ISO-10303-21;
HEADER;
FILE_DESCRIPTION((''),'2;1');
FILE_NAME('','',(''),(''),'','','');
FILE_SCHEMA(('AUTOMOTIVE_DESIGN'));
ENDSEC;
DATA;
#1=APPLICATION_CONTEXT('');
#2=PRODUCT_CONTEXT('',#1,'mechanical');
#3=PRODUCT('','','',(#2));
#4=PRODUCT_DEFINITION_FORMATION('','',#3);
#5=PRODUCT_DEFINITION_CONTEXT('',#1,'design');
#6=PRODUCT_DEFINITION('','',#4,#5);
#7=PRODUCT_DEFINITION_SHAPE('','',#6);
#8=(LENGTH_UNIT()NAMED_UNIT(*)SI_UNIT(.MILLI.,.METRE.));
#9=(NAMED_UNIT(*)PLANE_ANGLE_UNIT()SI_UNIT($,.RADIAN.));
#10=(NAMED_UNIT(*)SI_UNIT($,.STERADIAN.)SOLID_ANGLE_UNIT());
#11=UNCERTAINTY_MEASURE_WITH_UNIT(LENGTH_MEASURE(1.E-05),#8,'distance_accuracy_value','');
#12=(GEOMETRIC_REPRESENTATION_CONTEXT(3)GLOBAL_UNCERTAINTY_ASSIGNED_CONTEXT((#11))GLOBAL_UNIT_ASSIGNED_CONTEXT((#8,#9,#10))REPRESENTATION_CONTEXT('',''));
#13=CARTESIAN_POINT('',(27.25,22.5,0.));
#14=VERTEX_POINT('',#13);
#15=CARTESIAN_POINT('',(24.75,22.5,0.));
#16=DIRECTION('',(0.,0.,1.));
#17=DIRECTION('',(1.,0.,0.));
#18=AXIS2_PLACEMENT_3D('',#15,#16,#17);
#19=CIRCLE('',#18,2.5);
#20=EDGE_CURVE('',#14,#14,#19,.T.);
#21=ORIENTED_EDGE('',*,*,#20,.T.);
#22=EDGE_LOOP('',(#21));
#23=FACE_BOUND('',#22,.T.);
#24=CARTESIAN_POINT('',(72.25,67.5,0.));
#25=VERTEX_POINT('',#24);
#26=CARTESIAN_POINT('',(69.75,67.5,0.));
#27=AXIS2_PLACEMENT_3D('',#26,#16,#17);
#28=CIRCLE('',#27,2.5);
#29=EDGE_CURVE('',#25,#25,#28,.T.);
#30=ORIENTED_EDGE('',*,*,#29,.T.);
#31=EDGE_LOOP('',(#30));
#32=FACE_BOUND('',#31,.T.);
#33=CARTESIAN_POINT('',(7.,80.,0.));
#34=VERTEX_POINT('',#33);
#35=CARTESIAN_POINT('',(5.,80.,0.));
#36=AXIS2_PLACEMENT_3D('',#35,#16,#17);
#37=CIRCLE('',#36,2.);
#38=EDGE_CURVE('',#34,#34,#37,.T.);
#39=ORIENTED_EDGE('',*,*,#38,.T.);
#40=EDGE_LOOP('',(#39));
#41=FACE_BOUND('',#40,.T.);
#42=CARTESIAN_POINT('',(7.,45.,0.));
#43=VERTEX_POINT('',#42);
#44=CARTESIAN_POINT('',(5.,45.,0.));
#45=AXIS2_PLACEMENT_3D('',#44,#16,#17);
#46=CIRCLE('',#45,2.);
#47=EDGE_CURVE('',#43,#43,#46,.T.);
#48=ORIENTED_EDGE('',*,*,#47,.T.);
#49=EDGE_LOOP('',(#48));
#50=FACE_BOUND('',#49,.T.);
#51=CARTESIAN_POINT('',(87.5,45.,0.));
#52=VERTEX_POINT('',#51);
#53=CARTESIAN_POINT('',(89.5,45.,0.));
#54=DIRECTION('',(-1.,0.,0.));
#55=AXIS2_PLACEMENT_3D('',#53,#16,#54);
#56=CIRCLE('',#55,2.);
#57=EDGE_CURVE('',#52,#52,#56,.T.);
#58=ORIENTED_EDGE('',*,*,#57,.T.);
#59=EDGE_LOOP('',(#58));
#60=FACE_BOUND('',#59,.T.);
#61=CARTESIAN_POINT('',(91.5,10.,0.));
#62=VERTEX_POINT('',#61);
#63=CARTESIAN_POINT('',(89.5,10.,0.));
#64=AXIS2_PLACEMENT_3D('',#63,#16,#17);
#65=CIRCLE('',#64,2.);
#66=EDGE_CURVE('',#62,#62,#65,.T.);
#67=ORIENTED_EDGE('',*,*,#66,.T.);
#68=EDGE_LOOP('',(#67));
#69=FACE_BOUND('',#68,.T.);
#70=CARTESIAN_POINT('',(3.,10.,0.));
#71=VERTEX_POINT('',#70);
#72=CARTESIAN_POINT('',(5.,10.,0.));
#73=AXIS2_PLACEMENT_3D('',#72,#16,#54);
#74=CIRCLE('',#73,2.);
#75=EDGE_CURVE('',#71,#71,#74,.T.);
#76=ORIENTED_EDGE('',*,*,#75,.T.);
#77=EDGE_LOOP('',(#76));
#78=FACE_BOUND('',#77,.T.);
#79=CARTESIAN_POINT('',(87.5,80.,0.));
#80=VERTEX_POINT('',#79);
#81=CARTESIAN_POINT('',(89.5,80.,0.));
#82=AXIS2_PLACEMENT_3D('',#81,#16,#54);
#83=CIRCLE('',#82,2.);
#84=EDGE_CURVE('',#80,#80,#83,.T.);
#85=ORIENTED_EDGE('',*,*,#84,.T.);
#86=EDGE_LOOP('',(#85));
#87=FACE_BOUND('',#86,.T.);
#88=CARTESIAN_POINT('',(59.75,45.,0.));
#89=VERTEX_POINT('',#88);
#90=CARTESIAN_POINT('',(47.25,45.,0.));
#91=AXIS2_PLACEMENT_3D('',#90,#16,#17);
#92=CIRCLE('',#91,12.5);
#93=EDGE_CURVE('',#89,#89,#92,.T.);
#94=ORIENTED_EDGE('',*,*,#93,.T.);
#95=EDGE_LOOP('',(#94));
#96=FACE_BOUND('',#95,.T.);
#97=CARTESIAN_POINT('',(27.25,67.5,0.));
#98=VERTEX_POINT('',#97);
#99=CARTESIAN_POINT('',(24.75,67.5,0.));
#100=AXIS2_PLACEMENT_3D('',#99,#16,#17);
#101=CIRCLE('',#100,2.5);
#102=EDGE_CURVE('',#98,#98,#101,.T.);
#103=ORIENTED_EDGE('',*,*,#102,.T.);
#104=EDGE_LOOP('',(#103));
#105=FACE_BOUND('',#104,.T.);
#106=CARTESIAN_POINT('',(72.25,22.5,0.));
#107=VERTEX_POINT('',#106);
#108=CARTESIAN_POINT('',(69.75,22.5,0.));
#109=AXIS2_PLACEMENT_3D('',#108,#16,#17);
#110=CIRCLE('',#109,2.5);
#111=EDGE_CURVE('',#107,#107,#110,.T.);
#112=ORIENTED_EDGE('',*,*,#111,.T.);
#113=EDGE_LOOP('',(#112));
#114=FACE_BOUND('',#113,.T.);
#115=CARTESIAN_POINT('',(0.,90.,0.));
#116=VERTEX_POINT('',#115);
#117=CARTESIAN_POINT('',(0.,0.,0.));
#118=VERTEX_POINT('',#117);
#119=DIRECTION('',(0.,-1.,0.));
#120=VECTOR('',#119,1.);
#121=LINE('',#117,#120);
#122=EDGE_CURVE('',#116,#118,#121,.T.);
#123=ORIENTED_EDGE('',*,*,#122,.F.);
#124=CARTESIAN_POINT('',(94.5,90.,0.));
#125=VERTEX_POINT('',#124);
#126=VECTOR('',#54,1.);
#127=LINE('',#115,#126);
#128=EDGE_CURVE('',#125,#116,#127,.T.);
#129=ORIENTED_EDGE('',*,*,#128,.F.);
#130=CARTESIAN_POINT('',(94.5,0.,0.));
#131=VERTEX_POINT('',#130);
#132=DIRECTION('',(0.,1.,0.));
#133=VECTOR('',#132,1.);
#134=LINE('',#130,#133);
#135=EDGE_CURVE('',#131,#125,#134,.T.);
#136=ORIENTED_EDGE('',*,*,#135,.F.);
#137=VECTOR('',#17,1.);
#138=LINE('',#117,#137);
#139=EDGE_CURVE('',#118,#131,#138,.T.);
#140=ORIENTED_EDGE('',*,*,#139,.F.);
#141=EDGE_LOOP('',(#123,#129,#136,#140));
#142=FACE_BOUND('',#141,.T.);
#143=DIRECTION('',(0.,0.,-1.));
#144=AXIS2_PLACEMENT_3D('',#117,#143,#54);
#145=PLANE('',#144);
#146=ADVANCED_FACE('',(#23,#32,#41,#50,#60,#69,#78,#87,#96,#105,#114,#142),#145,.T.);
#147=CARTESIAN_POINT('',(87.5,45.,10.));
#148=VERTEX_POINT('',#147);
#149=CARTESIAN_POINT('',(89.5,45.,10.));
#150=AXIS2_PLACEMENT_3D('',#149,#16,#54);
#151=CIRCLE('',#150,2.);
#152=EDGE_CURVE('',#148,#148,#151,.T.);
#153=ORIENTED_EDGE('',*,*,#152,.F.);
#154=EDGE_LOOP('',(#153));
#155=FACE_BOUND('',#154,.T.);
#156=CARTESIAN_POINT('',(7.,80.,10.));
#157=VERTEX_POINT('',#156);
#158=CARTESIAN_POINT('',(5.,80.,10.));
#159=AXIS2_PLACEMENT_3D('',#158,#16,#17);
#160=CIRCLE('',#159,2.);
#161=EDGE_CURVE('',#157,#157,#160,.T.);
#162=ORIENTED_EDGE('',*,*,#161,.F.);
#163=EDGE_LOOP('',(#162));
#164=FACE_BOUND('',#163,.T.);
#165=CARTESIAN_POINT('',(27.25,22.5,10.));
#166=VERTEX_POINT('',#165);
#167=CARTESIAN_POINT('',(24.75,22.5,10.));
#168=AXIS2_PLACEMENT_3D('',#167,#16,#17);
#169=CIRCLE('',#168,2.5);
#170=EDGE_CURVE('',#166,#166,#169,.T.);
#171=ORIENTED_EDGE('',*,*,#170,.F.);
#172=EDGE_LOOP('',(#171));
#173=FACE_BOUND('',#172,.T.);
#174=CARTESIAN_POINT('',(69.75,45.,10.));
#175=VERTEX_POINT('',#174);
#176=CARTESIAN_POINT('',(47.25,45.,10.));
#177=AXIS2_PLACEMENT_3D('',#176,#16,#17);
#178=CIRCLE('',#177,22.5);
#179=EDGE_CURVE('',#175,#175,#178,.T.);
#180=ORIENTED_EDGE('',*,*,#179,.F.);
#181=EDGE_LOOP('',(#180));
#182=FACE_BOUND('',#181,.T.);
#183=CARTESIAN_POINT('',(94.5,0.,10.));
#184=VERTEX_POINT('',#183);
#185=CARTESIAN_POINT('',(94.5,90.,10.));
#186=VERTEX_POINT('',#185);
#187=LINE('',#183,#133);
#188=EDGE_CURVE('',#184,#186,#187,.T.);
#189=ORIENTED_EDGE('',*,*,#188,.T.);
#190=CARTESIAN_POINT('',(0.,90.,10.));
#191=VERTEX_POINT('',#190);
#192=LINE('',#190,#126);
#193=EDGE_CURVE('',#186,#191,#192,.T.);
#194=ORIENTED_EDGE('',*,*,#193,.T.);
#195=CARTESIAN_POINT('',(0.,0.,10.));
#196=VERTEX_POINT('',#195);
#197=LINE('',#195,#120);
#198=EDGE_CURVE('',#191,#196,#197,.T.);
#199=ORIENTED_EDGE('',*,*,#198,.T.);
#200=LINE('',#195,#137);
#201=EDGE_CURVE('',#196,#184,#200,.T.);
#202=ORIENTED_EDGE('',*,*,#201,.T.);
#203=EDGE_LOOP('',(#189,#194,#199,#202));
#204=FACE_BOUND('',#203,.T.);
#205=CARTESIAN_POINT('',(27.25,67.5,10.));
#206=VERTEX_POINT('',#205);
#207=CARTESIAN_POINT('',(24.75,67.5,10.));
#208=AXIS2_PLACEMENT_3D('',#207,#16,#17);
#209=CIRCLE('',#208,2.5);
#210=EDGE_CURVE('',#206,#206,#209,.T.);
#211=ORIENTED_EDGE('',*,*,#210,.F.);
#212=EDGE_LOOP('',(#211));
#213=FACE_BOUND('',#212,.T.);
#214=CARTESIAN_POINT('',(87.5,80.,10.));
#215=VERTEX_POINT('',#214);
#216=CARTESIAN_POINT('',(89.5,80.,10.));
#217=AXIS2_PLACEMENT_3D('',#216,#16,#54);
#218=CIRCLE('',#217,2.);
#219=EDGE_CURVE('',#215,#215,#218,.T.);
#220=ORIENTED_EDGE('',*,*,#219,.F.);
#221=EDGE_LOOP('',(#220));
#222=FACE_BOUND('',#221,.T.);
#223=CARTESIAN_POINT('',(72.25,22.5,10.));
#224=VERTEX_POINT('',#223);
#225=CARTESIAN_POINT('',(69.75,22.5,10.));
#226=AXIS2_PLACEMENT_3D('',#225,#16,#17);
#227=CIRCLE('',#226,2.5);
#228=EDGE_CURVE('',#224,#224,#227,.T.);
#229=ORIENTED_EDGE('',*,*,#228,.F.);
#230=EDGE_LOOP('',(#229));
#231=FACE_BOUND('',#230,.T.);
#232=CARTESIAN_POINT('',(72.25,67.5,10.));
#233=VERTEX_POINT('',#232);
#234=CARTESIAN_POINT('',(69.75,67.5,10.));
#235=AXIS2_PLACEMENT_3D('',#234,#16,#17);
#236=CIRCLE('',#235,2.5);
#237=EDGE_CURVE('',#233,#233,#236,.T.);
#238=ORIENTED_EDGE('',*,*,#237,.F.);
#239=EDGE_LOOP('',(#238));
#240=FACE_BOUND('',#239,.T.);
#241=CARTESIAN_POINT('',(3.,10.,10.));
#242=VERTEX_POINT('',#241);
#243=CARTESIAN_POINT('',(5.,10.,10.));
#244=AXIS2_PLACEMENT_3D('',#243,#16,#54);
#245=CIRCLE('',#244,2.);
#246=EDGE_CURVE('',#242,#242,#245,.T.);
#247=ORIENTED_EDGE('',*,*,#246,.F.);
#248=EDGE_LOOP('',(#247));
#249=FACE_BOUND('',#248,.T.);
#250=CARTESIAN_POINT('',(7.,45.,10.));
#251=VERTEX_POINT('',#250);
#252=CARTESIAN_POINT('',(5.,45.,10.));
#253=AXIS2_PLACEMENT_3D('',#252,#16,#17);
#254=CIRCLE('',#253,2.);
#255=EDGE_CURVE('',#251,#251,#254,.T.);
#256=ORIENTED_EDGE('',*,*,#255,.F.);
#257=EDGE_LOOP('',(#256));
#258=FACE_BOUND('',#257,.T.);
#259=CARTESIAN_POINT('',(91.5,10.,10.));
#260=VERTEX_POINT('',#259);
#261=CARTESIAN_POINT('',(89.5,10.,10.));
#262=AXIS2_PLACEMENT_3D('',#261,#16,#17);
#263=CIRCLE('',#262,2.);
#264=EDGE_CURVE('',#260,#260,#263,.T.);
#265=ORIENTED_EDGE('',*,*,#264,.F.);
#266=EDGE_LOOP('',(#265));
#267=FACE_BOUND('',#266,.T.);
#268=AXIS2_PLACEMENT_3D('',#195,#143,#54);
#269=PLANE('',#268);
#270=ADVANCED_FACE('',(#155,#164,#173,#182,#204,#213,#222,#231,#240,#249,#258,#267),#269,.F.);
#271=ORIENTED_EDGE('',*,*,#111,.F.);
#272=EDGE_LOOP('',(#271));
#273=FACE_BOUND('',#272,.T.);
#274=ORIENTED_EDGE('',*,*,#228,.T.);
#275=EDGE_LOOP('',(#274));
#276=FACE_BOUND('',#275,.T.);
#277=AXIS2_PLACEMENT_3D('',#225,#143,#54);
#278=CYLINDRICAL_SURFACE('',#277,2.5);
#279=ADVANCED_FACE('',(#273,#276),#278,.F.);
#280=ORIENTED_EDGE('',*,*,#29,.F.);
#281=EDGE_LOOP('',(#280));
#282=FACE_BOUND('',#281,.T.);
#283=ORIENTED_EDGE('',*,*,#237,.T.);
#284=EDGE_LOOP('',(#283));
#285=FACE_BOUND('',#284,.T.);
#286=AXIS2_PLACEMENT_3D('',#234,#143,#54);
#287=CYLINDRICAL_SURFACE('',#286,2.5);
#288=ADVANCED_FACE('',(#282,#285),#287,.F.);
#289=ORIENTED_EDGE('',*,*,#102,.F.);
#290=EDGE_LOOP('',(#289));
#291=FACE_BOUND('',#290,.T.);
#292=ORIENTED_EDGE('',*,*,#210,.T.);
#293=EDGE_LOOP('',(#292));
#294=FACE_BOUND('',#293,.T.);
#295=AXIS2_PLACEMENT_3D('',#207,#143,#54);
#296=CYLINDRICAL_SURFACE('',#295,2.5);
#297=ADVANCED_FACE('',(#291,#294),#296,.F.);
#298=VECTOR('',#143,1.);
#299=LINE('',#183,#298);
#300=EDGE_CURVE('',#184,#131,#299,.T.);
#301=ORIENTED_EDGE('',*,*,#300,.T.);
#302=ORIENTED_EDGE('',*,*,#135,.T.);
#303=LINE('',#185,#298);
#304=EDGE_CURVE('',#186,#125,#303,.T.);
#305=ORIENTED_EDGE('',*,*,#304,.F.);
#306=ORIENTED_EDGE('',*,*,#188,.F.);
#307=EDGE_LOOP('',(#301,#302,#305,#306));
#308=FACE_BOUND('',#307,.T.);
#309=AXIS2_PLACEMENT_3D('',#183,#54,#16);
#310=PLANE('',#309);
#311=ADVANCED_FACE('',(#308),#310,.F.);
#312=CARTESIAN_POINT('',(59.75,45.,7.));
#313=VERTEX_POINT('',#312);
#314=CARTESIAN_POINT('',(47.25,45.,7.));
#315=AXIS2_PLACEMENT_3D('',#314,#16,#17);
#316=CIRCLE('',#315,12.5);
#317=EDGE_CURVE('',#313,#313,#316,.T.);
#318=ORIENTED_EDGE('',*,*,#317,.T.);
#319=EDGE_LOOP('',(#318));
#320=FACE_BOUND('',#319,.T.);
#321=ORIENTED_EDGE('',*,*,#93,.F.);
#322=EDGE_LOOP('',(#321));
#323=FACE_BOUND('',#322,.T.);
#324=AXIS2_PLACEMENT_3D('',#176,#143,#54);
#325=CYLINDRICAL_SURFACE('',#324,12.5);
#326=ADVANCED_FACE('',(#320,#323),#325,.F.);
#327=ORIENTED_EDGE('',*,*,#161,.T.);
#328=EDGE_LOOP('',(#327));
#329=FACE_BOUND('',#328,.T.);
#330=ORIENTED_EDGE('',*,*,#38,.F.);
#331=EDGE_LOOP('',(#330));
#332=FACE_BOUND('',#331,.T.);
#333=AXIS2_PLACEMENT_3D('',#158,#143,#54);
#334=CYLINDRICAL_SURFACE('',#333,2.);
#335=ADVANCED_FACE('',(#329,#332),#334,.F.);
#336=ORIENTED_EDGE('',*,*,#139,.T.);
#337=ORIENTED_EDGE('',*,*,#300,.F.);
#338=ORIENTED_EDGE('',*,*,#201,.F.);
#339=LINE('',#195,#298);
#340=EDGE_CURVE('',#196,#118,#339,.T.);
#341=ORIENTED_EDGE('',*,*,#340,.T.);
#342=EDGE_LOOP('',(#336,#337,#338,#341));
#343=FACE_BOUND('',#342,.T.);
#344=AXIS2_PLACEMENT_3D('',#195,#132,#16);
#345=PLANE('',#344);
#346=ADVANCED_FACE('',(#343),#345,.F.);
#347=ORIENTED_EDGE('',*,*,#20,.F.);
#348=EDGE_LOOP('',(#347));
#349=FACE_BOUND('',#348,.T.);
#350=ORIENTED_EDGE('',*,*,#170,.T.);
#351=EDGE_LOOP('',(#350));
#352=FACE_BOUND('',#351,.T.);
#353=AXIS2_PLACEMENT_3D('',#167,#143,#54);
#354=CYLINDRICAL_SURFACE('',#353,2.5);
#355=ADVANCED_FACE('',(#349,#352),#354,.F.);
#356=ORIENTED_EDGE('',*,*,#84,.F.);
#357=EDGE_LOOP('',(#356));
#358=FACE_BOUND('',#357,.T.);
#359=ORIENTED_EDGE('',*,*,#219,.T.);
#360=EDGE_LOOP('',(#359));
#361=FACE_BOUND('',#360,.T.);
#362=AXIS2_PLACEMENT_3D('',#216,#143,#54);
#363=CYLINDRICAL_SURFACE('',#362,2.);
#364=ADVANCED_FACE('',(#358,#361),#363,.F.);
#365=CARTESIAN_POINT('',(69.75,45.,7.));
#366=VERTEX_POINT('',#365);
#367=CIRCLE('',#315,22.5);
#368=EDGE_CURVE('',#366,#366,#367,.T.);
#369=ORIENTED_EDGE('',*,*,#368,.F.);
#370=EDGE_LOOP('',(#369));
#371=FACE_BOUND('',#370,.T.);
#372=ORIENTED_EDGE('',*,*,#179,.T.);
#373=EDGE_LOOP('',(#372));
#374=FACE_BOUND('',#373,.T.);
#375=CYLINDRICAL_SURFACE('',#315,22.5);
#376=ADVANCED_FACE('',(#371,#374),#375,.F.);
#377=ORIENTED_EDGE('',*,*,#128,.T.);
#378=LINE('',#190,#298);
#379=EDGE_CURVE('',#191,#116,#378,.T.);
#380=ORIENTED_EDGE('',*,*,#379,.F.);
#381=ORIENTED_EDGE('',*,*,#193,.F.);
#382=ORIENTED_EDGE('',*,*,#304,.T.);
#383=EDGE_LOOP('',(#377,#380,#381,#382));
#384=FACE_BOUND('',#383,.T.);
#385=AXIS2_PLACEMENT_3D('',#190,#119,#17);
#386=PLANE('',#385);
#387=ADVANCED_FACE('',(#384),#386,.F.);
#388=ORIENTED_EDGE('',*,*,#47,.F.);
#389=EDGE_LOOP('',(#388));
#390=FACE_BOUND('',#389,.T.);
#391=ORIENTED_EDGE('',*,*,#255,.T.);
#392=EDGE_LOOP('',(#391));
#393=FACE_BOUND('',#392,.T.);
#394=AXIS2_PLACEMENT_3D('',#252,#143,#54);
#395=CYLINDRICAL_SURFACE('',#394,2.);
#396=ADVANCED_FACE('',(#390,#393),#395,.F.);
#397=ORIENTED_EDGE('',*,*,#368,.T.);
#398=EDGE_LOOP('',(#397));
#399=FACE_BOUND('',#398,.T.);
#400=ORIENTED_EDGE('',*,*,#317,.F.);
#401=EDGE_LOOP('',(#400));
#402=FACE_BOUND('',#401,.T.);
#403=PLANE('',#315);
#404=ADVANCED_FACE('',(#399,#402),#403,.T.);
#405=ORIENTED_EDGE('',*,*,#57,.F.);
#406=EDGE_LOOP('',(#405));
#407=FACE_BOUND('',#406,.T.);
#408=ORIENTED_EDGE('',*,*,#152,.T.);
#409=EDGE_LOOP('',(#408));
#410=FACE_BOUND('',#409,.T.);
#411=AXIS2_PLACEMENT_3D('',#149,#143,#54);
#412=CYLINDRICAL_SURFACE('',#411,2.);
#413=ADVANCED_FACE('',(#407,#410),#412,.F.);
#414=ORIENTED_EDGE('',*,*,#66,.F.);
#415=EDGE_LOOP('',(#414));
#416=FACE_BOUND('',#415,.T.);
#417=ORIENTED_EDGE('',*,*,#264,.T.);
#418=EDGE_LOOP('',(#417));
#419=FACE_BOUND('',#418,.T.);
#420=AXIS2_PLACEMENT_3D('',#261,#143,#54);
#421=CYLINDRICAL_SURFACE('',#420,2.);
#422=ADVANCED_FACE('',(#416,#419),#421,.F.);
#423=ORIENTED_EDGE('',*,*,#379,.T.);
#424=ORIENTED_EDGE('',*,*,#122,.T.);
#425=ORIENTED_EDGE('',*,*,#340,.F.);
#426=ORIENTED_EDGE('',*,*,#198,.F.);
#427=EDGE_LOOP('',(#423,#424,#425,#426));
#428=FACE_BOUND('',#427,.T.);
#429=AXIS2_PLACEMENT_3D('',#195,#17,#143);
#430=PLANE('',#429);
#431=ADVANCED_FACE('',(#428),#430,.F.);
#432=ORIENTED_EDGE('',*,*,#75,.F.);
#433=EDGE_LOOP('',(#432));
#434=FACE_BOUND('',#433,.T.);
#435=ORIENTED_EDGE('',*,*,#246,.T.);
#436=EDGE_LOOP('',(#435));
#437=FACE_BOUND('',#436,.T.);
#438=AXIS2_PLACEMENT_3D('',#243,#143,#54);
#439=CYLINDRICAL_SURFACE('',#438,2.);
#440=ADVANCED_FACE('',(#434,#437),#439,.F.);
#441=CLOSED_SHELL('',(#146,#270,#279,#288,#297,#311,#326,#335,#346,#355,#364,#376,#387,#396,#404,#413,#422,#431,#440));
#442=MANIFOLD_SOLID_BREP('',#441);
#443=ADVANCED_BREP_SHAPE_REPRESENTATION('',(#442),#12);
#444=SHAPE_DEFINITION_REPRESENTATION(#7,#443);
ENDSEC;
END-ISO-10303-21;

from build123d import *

# Parameters (mm, degrees)
SKETCH1_W           = 94.5
SKETCH1_H           = 90
SKETCH1_R           = 2
SKETCH1_R_2         = 2.5
SKETCH1_R_3         = 12.5
BOSS_EXTRUDE1_DEPTH = 10
SKETCH3_R           = 22.5
CUT_EXTRUDE2_DEPTH  = 3


with BuildPart() as part:
    # Sketch1 → Boss-Extrude1 (new body)
    with BuildSketch(Plane.XY):
        with Locations((47.25, 45)):
            Rectangle(SKETCH1_W, SKETCH1_H)
        with Locations((5, 80)):
            Circle(SKETCH1_R, mode=Mode.SUBTRACT)
        with Locations((5, 45)):
            Circle(SKETCH1_R, mode=Mode.SUBTRACT)
        with Locations(Location((5, 10, 0), (0, 0, 180))):
            Circle(SKETCH1_R, mode=Mode.SUBTRACT)
        with Locations((89.5, 10)):
            Circle(SKETCH1_R, mode=Mode.SUBTRACT)
        with Locations(Location((89.5, 45, 0), (0, 0, 180))):
            Circle(SKETCH1_R, mode=Mode.SUBTRACT)
        with Locations(Location((89.5, 80, 0), (0, 0, 180))):
            Circle(SKETCH1_R, mode=Mode.SUBTRACT)
        with Locations((24.75, 67.5)):
            Circle(SKETCH1_R_2, mode=Mode.SUBTRACT)
        with Locations((69.75, 67.5)):
            Circle(SKETCH1_R_2, mode=Mode.SUBTRACT)
        with Locations((69.75, 22.5)):
            Circle(SKETCH1_R_2, mode=Mode.SUBTRACT)
        with Locations((24.75, 22.5)):
            Circle(SKETCH1_R_2, mode=Mode.SUBTRACT)
        with Locations((47.25, 45)):
            Circle(SKETCH1_R_3, mode=Mode.SUBTRACT)
    extrude(amount=BOSS_EXTRUDE1_DEPTH)

    # Sketch3 → Cut-Extrude2 (cut)
    with BuildSketch(Plane.XY.offset(10)):
        with Locations((47.25, 45)):
            Circle(SKETCH3_R)
    extrude(amount=-CUT_EXTRUDE2_DEPTH, mode=Mode.SUBTRACT)


solid = part.part
